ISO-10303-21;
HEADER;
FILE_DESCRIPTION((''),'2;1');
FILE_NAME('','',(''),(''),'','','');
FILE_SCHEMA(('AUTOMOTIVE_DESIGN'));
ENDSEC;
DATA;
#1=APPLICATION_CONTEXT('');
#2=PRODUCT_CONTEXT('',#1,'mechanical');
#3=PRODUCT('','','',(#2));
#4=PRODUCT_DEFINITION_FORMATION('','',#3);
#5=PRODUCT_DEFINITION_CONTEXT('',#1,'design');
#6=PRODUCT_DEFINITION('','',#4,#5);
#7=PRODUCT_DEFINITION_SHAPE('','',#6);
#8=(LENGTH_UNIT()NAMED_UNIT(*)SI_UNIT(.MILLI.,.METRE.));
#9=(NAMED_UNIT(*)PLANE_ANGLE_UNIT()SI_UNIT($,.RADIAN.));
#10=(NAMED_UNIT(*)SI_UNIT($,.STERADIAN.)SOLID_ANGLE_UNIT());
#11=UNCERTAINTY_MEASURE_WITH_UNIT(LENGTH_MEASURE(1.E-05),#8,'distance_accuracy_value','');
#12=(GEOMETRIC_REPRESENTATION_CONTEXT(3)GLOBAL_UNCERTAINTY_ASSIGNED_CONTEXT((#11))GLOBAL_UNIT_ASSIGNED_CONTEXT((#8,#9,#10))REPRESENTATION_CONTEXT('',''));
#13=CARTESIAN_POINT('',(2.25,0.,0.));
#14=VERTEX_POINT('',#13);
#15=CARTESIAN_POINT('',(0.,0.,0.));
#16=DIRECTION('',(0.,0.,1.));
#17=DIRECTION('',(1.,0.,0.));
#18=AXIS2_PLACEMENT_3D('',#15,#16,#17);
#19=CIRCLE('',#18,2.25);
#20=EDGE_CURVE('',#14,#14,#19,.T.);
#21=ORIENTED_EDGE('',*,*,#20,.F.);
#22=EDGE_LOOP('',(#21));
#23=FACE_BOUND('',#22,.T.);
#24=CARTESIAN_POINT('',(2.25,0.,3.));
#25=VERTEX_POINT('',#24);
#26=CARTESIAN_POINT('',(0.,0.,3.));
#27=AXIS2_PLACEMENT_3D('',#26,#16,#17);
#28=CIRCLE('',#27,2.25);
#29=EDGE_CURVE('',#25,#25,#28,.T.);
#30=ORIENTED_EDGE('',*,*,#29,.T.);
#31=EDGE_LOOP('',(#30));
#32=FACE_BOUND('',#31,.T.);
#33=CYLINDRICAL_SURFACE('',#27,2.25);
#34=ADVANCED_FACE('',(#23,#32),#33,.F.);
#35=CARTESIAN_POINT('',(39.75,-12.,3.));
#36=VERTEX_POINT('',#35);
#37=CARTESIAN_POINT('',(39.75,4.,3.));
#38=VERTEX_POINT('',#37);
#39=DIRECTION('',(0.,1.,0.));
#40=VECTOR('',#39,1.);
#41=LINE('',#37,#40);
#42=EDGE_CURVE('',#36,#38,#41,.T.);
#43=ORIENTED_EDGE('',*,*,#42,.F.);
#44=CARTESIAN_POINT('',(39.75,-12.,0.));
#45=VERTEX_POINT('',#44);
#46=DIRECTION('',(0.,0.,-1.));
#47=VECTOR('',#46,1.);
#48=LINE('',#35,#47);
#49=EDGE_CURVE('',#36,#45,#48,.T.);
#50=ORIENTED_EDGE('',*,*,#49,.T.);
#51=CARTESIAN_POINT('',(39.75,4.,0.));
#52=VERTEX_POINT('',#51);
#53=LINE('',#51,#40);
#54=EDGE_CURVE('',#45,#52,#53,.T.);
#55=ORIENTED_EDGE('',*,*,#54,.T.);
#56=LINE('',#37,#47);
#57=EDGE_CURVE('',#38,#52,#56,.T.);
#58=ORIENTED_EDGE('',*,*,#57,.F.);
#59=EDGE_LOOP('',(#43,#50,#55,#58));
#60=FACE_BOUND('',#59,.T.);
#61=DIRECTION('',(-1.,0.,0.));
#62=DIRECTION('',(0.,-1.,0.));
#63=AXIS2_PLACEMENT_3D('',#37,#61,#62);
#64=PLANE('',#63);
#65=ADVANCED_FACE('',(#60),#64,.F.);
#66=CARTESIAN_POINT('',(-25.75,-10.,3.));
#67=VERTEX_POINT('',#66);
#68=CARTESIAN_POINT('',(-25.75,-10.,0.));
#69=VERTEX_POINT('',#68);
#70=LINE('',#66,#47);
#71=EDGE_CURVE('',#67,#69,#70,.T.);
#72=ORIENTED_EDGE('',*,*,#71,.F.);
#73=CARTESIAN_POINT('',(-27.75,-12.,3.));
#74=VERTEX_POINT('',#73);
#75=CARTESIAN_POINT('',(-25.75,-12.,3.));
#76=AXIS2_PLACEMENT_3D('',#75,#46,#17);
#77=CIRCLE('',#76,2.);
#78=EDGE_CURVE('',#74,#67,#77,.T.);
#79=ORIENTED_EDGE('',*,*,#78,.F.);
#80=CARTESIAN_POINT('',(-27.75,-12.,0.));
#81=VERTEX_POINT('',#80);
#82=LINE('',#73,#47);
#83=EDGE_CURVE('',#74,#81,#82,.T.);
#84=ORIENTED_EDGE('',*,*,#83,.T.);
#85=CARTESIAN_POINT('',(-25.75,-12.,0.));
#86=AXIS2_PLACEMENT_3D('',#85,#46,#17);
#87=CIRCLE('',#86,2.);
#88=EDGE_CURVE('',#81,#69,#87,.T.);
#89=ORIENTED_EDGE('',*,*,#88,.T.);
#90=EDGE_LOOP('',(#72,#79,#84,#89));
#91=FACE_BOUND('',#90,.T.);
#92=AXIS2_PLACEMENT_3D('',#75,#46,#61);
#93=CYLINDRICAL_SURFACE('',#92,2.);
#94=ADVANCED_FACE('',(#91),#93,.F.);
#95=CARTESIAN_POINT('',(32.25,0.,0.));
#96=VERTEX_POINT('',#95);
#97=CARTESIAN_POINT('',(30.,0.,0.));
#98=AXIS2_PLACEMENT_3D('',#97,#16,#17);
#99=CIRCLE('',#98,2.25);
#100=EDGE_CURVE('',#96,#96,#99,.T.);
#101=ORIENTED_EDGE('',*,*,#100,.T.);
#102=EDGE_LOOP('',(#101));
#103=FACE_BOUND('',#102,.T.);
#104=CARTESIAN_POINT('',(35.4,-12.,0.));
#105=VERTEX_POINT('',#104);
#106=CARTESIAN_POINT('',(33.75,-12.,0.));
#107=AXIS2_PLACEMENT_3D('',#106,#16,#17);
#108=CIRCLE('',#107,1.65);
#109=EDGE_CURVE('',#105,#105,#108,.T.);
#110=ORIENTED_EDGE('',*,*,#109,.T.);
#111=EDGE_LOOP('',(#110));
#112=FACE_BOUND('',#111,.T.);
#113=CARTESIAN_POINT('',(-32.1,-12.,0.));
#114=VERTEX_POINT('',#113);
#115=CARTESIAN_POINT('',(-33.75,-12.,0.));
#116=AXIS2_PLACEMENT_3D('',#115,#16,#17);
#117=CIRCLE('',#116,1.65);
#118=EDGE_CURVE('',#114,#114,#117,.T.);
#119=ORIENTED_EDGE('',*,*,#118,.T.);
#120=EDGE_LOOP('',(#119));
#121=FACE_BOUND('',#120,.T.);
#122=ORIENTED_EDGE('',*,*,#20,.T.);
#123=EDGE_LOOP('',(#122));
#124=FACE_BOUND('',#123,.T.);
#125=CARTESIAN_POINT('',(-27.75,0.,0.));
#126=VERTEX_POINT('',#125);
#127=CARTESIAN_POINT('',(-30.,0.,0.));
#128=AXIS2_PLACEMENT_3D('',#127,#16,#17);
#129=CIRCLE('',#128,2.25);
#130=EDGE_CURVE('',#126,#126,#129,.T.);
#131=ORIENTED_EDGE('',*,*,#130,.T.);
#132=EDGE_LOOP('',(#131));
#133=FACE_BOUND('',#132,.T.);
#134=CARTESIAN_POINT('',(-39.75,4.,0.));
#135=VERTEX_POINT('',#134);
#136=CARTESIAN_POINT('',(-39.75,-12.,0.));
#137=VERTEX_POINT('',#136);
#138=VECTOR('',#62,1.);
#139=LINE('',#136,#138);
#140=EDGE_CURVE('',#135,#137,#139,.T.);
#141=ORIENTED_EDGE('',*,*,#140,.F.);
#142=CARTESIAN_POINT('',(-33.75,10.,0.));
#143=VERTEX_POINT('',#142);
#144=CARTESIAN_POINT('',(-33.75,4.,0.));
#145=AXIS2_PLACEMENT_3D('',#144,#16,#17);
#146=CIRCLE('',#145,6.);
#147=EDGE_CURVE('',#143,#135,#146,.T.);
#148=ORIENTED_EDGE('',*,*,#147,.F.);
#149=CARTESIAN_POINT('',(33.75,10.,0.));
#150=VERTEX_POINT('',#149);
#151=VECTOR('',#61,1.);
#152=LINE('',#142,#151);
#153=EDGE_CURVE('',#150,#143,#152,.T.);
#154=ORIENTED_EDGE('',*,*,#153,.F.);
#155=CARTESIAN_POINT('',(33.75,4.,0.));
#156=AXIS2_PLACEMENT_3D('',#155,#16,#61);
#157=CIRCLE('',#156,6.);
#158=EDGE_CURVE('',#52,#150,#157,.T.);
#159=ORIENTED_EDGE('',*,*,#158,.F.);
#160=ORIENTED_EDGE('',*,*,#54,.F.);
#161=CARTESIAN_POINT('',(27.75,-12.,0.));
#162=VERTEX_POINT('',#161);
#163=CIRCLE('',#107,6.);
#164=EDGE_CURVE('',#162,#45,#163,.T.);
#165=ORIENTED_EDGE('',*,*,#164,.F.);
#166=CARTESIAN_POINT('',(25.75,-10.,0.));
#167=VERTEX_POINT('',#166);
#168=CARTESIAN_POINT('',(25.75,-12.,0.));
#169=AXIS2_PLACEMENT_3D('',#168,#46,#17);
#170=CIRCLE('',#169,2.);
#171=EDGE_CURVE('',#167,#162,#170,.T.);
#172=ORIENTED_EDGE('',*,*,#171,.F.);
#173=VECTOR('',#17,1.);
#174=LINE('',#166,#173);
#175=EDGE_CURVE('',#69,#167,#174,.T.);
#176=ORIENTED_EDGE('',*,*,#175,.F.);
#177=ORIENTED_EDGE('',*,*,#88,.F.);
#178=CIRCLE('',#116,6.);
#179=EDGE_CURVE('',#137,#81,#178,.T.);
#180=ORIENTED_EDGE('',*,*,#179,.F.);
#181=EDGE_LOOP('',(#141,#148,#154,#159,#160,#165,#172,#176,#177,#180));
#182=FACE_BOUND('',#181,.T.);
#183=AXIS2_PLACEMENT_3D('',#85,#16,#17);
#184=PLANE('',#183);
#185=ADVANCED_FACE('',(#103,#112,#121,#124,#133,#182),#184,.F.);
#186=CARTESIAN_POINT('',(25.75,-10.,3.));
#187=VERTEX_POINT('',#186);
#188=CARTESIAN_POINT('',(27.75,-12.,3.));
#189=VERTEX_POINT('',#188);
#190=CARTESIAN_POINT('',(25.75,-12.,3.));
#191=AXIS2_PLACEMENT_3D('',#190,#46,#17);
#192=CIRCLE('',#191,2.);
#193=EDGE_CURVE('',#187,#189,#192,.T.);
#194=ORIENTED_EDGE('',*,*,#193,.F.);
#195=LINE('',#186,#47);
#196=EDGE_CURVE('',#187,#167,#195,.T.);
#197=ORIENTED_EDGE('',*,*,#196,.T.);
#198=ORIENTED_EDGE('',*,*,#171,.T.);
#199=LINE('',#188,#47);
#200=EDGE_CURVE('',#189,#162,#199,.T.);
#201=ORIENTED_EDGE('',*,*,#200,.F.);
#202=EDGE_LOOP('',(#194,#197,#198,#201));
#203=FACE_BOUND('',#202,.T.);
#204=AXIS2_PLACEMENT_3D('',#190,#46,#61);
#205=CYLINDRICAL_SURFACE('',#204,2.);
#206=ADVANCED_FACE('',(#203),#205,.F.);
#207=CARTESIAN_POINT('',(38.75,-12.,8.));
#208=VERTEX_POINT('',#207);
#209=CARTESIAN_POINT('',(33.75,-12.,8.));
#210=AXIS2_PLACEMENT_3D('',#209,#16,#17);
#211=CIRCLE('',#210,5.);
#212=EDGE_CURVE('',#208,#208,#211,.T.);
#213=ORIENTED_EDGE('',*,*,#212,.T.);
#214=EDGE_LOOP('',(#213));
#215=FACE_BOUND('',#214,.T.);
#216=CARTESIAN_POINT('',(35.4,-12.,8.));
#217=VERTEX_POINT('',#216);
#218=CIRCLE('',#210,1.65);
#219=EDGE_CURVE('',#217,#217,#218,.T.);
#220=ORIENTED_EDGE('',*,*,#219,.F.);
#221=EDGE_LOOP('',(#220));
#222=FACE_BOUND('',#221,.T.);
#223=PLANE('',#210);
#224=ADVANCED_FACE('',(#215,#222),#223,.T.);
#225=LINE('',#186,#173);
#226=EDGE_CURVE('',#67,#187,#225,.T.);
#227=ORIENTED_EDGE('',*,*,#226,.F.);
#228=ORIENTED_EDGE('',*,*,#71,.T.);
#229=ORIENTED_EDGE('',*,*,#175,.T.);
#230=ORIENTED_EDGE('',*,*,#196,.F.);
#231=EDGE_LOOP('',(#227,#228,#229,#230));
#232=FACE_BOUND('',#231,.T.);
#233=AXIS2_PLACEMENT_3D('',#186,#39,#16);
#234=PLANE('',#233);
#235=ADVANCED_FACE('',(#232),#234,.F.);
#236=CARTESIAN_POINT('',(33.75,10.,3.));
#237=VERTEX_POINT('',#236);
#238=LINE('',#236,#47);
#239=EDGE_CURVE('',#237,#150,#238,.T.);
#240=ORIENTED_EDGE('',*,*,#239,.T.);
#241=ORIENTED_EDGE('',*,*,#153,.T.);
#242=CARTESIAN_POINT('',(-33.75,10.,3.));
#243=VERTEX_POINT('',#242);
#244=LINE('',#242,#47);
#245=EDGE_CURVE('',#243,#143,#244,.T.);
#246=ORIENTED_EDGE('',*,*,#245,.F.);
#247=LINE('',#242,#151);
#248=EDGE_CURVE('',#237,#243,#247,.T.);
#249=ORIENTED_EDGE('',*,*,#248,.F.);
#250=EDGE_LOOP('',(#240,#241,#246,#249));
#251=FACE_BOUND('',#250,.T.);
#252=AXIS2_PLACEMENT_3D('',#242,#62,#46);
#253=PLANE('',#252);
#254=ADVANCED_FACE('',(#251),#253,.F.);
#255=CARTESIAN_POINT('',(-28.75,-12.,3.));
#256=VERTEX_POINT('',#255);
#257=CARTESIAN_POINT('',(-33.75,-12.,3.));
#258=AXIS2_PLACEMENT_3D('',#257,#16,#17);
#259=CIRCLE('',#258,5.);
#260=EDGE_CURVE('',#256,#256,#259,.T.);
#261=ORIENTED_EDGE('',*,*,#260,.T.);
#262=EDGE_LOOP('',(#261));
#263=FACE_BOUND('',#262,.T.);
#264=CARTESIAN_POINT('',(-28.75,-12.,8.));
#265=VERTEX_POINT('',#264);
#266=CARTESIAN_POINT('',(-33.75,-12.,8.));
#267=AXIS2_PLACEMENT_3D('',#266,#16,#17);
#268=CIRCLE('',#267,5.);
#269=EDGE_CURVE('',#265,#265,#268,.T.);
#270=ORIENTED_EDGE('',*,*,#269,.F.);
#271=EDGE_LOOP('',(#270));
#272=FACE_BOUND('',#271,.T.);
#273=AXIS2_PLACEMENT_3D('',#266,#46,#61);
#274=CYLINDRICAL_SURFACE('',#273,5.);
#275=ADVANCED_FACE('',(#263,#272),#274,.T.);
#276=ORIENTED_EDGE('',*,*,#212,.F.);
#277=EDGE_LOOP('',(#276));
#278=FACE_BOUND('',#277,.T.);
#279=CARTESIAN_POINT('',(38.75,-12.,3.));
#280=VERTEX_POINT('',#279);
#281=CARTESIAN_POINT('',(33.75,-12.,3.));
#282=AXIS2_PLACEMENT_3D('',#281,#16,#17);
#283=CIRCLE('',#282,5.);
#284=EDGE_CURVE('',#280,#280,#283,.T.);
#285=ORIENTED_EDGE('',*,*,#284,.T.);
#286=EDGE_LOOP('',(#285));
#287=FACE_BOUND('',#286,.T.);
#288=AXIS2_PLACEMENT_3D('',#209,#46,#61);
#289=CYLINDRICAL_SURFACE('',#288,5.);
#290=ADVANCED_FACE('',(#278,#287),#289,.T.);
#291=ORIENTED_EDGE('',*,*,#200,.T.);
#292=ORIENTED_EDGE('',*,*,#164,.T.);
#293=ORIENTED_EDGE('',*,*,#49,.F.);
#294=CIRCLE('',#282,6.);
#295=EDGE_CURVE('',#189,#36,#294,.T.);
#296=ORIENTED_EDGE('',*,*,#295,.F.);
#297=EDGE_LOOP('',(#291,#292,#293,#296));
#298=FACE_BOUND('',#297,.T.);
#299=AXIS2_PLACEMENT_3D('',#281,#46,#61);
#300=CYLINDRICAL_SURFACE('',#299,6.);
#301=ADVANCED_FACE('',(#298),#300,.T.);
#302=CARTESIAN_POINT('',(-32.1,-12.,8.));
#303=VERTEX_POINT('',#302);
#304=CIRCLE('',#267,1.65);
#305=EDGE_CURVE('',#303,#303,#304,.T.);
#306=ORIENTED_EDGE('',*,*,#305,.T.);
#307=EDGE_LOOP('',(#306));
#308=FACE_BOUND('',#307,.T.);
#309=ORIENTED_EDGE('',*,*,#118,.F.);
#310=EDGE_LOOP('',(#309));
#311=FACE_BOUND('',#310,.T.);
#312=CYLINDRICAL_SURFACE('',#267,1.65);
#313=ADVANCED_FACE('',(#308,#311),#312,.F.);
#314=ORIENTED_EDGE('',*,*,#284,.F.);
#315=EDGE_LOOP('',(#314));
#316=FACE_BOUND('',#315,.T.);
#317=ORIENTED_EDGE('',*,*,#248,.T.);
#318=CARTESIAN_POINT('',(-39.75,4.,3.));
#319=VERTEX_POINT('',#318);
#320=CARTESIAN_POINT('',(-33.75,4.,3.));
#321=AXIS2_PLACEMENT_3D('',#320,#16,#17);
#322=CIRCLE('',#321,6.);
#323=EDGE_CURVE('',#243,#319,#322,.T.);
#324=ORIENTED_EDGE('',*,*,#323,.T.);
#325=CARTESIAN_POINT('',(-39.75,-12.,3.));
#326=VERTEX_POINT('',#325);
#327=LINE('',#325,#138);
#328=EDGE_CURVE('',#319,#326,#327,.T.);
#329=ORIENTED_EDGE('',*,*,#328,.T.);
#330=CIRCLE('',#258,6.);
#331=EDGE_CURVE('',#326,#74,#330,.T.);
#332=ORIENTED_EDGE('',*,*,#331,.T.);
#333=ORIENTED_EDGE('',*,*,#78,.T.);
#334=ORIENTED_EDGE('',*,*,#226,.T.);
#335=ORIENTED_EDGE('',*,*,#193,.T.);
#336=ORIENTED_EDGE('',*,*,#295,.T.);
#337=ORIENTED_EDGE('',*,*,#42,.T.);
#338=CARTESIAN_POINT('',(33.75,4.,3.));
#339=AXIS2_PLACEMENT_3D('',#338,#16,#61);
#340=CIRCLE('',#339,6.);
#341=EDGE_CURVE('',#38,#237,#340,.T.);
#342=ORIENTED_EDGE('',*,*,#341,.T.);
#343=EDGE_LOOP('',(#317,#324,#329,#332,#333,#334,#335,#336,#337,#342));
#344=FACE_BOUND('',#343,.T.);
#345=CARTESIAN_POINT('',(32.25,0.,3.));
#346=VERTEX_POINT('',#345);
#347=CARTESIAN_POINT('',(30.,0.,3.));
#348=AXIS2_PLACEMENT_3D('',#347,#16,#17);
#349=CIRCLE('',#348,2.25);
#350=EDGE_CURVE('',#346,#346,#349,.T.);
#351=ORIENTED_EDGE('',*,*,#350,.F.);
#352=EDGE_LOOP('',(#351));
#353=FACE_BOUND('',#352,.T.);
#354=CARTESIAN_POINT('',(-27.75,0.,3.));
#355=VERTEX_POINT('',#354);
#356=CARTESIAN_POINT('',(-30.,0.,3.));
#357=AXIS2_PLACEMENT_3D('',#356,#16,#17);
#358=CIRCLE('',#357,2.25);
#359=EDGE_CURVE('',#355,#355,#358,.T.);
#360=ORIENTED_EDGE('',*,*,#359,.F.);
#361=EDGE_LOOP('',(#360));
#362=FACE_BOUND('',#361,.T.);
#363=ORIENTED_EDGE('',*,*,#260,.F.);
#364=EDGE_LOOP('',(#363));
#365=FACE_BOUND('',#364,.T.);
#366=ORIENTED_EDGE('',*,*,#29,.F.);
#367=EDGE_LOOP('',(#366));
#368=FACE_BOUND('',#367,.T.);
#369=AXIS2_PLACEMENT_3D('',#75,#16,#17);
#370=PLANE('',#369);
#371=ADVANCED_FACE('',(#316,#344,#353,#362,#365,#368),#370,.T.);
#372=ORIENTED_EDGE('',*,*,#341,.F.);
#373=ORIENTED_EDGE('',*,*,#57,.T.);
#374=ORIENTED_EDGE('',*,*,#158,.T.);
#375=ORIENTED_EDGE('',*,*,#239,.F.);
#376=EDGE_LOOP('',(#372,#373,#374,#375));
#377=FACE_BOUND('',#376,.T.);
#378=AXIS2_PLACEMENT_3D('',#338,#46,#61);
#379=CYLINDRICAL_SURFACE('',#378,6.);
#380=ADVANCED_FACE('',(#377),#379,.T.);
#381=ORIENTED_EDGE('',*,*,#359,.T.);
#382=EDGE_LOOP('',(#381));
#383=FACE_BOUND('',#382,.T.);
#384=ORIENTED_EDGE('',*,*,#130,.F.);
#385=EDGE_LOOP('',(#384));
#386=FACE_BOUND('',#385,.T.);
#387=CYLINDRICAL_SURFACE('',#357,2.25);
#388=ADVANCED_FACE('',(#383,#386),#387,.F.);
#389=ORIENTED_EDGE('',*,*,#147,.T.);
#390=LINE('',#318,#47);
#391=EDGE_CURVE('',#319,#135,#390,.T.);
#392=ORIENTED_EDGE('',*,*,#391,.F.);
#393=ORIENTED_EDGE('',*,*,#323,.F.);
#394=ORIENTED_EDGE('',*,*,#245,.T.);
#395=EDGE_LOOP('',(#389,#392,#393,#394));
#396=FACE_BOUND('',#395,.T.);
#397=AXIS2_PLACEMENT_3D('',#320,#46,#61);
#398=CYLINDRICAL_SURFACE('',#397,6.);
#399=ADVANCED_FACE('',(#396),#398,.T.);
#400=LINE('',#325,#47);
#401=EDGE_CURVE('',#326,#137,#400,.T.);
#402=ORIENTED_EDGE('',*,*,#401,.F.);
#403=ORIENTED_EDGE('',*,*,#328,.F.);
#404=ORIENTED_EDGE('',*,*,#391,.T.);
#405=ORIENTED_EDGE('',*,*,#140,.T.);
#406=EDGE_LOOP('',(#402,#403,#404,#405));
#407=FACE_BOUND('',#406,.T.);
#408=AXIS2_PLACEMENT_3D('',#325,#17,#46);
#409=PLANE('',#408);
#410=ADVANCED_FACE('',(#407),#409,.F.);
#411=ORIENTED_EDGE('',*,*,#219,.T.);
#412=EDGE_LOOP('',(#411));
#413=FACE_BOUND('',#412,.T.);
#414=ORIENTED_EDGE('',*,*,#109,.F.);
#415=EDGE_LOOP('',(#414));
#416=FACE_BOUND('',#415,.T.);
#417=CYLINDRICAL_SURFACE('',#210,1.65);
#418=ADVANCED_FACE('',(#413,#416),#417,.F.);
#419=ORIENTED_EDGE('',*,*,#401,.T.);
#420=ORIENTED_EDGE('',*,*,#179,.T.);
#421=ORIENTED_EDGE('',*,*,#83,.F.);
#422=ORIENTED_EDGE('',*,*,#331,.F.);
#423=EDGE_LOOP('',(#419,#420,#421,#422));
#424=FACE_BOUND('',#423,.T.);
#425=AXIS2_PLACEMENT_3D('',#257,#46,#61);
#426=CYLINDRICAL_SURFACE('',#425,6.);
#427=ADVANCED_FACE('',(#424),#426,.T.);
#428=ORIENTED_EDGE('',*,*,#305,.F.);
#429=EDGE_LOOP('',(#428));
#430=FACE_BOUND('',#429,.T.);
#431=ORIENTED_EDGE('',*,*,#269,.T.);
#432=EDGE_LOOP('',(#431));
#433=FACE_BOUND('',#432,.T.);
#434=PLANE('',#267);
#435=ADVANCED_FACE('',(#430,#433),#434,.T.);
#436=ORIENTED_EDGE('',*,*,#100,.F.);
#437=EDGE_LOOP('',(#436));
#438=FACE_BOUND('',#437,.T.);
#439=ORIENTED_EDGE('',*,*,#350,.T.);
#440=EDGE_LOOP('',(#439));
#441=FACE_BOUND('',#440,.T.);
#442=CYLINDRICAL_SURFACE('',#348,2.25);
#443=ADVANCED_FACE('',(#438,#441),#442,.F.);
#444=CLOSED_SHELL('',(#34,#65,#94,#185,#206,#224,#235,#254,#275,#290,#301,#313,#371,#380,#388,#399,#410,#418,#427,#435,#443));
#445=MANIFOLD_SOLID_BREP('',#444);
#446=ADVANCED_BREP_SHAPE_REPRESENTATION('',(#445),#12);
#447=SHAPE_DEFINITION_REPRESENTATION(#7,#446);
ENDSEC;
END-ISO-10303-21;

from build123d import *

# Parameters (mm, degrees)
EXTRUDE_1_DEPTH    = 3
SKETCH_4_R         = 5
EXTRUDE_2_DEPTH    = 5
M4X0_7_1_D         = 3.3
HOLE_WIZARD_M4_1_D = 4.5


with BuildPart() as part:
    # 草圖1 → 填料-伸長1 (new body)
    with BuildSketch(Plane.XY):
        with BuildLine():
            Line((-33.75, 10), (33.75, 10))
            ThreePointArc((33.75, 10), (37.992640687, 8.242640687), (39.75, 4))
            Line((39.75, 4), (39.75, -12))
            ThreePointArc((39.75, -12), (33.75, -18), (27.75, -12))
            ThreePointArc((27.75, -12), (27.164213562, -10.585786438), (25.75, -10))
            Line((25.75, -10), (-25.75, -10))
            ThreePointArc((-25.75, -10), (-27.164213562, -10.585786438), (-27.75, -12))
            ThreePointArc((-27.75, -12), (-33.75, -18), (-39.75, -12))
            Line((-39.75, -12), (-39.75, 4))
            ThreePointArc((-39.75, 4), (-37.992640687, 8.242640687), (-33.75, 10))
        make_face()
    extrude(amount=EXTRUDE_1_DEPTH)

    # 草圖4 → 填料-伸長2 (add)
    with BuildSketch(Plane.XY.offset(3)):
        with Locations((-33.75, -12)):
            Circle(SKETCH_4_R)
        with Locations((33.75, -12)):
            Circle(SKETCH_4_R)
    extrude(amount=EXTRUDE_2_DEPTH)

    # M4x0.7 螺紋孔1 (through all)
    with Locations(Plane.XY.offset(8)):
        with Locations((-33.75, -12), (33.75, -12)):
            Hole(M4X0_7_1_D / 2)

    # M4 餘隙孔1 (through all)
    with Locations(Plane.XY.offset(3)):
        with Locations((-30, 0), (30, 0), (0, 0)):
            Hole(HOLE_WIZARD_M4_1_D / 2)


solid = part.part
